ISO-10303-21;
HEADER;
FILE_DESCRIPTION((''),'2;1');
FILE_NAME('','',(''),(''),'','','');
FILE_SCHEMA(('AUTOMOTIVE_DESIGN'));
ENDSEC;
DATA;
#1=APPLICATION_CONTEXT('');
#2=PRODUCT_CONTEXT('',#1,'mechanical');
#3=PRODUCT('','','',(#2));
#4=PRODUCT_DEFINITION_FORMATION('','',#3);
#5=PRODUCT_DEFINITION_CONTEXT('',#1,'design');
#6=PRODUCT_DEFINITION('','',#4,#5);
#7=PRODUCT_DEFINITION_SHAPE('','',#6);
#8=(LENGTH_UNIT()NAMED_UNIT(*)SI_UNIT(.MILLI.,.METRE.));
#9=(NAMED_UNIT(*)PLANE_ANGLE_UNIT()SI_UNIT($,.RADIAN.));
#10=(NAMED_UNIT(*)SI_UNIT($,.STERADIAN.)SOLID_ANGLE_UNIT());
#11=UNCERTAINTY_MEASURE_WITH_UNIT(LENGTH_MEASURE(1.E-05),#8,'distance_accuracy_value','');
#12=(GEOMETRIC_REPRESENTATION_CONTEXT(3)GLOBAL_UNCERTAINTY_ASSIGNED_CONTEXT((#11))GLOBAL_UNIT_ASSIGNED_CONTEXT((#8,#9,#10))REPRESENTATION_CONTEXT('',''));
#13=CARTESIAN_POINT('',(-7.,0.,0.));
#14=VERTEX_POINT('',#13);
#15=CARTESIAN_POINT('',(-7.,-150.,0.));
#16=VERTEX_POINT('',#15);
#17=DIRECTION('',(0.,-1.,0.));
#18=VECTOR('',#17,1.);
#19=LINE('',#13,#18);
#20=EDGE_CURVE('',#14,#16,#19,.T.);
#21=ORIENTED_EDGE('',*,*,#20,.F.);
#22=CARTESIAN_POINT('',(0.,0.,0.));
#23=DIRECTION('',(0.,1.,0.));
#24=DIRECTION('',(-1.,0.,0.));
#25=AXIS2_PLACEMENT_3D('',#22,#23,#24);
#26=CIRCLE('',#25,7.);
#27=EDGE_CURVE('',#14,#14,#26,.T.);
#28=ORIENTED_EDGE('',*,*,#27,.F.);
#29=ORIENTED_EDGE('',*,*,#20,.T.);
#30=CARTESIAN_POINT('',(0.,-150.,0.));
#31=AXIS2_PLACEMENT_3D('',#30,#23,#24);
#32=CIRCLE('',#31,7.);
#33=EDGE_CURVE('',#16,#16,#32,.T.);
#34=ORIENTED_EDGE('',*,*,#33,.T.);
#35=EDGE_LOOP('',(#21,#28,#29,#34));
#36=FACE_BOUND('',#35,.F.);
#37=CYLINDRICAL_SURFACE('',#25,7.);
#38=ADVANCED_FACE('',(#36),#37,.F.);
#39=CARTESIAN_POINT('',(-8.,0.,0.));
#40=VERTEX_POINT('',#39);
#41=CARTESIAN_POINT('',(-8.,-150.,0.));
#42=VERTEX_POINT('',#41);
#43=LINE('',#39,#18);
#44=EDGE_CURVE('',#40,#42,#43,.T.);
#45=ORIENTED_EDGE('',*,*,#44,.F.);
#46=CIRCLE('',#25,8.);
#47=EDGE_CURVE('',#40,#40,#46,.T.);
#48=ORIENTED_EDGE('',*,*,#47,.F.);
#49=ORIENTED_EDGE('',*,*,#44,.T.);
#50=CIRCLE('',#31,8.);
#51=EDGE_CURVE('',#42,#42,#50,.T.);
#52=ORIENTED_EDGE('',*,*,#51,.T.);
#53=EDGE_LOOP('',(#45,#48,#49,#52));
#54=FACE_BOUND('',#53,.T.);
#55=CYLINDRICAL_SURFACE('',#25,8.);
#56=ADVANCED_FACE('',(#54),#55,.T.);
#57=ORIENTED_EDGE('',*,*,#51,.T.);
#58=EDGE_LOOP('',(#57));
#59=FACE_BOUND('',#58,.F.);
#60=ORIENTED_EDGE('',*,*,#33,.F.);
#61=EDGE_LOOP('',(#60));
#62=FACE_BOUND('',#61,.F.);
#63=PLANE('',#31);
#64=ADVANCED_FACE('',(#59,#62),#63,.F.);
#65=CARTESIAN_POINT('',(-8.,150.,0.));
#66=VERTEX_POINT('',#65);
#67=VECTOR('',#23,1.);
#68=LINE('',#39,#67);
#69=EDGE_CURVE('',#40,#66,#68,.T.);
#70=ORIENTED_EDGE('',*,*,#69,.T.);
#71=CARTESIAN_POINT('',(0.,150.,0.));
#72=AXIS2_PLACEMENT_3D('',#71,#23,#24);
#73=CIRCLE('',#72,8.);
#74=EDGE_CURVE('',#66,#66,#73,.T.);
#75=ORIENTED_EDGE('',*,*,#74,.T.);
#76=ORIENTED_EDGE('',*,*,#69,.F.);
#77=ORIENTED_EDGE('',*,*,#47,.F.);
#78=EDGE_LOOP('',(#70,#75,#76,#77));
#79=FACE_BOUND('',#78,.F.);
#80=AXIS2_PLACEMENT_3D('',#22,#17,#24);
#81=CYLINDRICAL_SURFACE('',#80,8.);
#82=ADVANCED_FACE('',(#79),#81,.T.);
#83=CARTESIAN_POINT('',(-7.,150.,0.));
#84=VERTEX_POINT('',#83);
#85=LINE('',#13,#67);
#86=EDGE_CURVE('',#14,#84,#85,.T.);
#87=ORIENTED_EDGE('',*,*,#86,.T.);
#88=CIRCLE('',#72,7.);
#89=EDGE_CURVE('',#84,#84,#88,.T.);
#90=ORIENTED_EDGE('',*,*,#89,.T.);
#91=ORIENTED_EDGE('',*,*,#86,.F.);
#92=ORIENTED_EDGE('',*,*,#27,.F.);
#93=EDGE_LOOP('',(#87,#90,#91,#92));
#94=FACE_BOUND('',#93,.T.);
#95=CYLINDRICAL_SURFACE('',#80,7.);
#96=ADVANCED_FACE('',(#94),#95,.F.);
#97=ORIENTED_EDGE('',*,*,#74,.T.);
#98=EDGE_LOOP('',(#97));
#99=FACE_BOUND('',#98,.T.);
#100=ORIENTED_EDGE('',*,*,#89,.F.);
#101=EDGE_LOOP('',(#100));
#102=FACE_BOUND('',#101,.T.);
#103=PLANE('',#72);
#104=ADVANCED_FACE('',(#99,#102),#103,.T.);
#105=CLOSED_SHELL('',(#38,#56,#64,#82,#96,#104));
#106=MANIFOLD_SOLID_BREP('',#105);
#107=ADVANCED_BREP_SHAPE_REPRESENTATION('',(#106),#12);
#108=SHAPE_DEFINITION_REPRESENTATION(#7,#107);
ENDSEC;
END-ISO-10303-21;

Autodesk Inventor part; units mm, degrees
ref_plane "YZ Plane" through (0, 0, 0) normal (1, 0, 0) x (0, 1, 0)
ref_plane "XZ Plane" through (0, 0, 0) normal (0, 1, 0) x (-1, 0, 0)
ref_plane "XY Plane" through (0, 0, 0) normal (0, 0, 1) x (1, 0, 0)
sketch "Эскиз1" plane through (0, 0, 0) normal (0, 1, 0) x (-1, 0, 0)
  circle A0 centre (0, 0) radius 8
  circle A1 centre (0, 0) radius 7
  dimension "d0" = 16
  dimension "d1" = 14
extrude "Выдавливание1" add sketch "Эскиз1" along normal mid plane 300
properties part number "tube_16_400"
